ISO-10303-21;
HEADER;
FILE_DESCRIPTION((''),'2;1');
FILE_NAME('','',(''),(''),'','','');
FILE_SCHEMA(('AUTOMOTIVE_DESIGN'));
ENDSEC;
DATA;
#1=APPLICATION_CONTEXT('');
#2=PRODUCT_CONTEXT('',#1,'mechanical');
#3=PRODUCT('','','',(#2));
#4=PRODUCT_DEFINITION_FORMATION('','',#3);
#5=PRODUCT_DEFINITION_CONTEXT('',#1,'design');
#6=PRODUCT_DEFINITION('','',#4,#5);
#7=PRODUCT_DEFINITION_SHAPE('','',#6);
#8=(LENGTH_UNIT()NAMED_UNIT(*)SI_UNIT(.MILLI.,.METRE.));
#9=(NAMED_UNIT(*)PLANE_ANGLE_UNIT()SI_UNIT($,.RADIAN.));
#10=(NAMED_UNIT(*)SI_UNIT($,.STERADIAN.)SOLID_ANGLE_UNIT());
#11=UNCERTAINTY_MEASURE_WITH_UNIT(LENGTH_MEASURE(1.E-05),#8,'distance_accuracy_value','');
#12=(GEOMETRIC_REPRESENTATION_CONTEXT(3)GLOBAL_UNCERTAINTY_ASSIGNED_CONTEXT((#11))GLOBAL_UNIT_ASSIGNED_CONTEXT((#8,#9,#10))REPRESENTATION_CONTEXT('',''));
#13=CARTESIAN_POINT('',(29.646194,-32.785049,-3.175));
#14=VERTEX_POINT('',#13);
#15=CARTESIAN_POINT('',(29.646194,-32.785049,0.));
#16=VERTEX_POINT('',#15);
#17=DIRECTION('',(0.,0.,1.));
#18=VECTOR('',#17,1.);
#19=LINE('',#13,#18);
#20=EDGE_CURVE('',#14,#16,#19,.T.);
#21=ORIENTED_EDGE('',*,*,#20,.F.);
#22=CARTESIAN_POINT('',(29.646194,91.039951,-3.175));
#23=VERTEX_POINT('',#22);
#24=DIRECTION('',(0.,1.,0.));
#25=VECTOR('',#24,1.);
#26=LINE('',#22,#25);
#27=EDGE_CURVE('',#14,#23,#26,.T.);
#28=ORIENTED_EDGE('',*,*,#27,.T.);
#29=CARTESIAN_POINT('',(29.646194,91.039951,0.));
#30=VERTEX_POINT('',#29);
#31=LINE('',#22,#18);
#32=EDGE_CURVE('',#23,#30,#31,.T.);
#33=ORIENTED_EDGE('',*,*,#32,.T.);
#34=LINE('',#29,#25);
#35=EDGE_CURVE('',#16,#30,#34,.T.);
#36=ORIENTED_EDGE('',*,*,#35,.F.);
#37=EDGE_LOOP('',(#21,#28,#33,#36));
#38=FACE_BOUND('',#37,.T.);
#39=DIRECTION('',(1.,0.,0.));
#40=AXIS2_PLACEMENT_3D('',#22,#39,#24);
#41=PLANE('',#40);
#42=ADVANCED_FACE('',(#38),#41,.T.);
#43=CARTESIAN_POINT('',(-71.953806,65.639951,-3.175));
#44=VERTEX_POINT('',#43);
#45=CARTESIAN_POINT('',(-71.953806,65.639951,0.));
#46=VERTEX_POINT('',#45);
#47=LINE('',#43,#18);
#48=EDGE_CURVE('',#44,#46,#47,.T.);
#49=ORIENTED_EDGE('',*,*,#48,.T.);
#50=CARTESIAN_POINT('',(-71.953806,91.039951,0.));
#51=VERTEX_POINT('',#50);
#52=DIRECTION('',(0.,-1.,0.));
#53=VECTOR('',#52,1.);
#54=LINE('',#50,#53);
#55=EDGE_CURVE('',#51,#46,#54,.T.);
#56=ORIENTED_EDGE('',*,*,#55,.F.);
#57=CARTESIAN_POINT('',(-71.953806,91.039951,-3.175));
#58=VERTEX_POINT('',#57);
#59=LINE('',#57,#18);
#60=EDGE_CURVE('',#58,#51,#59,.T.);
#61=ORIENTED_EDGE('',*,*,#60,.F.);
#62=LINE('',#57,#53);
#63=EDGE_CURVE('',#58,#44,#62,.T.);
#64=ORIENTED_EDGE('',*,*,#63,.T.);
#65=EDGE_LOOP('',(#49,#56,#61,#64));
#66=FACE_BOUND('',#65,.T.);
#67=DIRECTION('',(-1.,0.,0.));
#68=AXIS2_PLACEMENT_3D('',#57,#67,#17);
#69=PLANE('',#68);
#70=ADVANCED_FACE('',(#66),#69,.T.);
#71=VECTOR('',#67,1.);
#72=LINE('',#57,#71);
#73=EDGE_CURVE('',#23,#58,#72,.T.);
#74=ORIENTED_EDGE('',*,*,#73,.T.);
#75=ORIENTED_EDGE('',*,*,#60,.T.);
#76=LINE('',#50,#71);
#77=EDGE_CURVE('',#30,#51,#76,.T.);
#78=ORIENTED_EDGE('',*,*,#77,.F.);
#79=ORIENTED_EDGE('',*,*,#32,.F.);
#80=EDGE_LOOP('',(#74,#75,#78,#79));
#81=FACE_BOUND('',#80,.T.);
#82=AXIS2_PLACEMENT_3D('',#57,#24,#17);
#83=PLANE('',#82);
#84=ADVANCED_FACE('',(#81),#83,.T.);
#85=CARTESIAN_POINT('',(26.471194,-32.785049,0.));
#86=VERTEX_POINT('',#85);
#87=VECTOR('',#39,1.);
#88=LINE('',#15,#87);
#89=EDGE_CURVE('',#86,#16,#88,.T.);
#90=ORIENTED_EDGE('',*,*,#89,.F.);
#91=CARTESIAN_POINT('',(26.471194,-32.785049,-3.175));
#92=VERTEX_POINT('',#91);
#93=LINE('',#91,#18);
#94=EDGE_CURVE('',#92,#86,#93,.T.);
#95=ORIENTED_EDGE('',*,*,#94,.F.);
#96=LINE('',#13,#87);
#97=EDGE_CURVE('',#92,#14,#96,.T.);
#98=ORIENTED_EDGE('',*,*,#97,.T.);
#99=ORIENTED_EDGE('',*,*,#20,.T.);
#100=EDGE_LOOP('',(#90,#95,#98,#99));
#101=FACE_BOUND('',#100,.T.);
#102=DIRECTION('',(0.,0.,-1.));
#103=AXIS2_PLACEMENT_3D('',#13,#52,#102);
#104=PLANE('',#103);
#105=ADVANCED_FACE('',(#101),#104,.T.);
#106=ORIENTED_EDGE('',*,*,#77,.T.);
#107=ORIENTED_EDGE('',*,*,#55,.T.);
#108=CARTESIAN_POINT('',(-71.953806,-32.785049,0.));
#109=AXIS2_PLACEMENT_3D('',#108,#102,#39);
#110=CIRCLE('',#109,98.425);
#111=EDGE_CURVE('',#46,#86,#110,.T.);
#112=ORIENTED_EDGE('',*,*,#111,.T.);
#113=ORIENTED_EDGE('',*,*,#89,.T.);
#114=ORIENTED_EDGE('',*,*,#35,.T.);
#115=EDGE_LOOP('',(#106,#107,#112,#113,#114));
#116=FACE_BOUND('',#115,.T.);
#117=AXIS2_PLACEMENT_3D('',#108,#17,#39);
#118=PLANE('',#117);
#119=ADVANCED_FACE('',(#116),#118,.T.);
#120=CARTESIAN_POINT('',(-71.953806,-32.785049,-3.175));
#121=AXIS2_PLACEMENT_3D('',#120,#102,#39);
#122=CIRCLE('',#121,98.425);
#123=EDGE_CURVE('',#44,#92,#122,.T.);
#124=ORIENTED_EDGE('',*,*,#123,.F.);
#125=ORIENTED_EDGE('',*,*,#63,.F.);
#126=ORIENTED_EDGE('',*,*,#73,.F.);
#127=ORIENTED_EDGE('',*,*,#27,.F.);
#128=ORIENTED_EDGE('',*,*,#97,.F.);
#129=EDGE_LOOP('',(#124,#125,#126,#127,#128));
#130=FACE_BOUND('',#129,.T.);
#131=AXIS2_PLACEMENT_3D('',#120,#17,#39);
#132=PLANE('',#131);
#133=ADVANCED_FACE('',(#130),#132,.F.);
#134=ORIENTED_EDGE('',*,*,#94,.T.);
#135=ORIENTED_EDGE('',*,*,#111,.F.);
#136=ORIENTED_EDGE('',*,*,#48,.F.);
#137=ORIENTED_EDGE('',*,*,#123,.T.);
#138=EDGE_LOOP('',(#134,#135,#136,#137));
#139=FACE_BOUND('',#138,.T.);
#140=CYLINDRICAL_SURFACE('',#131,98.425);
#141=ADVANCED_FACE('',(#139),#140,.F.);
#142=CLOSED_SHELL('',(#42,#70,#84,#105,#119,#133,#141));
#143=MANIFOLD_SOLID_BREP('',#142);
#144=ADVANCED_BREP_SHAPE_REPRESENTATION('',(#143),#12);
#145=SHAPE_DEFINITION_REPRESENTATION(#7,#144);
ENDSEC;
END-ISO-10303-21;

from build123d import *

# Parameters (mm, degrees)
BOSS_EXTRUDE1_DEPTH = 3.175


with BuildPart() as part:
    # Sketch1 → Boss-Extrude1 (new body)
    with BuildSketch(Plane.XY):
        with BuildLine():
            Line((-71.953806461, 91.039951247), (29.646193539, 91.039951247))
            Line((29.646193539, 91.039951247), (29.646193539, -32.785048753))
            Line((29.646193539, -32.785048753), (26.471193539, -32.785048753))
            ThreePointArc((26.471193539, -32.785048753), (-2.356821523, 36.811936186), (-71.953806461, 65.639951247))
            Line((-71.953806461, 65.639951247), (-71.953806461, 91.039951247))
        make_face()
    extrude(amount=-BOSS_EXTRUDE1_DEPTH)


solid = part.part
